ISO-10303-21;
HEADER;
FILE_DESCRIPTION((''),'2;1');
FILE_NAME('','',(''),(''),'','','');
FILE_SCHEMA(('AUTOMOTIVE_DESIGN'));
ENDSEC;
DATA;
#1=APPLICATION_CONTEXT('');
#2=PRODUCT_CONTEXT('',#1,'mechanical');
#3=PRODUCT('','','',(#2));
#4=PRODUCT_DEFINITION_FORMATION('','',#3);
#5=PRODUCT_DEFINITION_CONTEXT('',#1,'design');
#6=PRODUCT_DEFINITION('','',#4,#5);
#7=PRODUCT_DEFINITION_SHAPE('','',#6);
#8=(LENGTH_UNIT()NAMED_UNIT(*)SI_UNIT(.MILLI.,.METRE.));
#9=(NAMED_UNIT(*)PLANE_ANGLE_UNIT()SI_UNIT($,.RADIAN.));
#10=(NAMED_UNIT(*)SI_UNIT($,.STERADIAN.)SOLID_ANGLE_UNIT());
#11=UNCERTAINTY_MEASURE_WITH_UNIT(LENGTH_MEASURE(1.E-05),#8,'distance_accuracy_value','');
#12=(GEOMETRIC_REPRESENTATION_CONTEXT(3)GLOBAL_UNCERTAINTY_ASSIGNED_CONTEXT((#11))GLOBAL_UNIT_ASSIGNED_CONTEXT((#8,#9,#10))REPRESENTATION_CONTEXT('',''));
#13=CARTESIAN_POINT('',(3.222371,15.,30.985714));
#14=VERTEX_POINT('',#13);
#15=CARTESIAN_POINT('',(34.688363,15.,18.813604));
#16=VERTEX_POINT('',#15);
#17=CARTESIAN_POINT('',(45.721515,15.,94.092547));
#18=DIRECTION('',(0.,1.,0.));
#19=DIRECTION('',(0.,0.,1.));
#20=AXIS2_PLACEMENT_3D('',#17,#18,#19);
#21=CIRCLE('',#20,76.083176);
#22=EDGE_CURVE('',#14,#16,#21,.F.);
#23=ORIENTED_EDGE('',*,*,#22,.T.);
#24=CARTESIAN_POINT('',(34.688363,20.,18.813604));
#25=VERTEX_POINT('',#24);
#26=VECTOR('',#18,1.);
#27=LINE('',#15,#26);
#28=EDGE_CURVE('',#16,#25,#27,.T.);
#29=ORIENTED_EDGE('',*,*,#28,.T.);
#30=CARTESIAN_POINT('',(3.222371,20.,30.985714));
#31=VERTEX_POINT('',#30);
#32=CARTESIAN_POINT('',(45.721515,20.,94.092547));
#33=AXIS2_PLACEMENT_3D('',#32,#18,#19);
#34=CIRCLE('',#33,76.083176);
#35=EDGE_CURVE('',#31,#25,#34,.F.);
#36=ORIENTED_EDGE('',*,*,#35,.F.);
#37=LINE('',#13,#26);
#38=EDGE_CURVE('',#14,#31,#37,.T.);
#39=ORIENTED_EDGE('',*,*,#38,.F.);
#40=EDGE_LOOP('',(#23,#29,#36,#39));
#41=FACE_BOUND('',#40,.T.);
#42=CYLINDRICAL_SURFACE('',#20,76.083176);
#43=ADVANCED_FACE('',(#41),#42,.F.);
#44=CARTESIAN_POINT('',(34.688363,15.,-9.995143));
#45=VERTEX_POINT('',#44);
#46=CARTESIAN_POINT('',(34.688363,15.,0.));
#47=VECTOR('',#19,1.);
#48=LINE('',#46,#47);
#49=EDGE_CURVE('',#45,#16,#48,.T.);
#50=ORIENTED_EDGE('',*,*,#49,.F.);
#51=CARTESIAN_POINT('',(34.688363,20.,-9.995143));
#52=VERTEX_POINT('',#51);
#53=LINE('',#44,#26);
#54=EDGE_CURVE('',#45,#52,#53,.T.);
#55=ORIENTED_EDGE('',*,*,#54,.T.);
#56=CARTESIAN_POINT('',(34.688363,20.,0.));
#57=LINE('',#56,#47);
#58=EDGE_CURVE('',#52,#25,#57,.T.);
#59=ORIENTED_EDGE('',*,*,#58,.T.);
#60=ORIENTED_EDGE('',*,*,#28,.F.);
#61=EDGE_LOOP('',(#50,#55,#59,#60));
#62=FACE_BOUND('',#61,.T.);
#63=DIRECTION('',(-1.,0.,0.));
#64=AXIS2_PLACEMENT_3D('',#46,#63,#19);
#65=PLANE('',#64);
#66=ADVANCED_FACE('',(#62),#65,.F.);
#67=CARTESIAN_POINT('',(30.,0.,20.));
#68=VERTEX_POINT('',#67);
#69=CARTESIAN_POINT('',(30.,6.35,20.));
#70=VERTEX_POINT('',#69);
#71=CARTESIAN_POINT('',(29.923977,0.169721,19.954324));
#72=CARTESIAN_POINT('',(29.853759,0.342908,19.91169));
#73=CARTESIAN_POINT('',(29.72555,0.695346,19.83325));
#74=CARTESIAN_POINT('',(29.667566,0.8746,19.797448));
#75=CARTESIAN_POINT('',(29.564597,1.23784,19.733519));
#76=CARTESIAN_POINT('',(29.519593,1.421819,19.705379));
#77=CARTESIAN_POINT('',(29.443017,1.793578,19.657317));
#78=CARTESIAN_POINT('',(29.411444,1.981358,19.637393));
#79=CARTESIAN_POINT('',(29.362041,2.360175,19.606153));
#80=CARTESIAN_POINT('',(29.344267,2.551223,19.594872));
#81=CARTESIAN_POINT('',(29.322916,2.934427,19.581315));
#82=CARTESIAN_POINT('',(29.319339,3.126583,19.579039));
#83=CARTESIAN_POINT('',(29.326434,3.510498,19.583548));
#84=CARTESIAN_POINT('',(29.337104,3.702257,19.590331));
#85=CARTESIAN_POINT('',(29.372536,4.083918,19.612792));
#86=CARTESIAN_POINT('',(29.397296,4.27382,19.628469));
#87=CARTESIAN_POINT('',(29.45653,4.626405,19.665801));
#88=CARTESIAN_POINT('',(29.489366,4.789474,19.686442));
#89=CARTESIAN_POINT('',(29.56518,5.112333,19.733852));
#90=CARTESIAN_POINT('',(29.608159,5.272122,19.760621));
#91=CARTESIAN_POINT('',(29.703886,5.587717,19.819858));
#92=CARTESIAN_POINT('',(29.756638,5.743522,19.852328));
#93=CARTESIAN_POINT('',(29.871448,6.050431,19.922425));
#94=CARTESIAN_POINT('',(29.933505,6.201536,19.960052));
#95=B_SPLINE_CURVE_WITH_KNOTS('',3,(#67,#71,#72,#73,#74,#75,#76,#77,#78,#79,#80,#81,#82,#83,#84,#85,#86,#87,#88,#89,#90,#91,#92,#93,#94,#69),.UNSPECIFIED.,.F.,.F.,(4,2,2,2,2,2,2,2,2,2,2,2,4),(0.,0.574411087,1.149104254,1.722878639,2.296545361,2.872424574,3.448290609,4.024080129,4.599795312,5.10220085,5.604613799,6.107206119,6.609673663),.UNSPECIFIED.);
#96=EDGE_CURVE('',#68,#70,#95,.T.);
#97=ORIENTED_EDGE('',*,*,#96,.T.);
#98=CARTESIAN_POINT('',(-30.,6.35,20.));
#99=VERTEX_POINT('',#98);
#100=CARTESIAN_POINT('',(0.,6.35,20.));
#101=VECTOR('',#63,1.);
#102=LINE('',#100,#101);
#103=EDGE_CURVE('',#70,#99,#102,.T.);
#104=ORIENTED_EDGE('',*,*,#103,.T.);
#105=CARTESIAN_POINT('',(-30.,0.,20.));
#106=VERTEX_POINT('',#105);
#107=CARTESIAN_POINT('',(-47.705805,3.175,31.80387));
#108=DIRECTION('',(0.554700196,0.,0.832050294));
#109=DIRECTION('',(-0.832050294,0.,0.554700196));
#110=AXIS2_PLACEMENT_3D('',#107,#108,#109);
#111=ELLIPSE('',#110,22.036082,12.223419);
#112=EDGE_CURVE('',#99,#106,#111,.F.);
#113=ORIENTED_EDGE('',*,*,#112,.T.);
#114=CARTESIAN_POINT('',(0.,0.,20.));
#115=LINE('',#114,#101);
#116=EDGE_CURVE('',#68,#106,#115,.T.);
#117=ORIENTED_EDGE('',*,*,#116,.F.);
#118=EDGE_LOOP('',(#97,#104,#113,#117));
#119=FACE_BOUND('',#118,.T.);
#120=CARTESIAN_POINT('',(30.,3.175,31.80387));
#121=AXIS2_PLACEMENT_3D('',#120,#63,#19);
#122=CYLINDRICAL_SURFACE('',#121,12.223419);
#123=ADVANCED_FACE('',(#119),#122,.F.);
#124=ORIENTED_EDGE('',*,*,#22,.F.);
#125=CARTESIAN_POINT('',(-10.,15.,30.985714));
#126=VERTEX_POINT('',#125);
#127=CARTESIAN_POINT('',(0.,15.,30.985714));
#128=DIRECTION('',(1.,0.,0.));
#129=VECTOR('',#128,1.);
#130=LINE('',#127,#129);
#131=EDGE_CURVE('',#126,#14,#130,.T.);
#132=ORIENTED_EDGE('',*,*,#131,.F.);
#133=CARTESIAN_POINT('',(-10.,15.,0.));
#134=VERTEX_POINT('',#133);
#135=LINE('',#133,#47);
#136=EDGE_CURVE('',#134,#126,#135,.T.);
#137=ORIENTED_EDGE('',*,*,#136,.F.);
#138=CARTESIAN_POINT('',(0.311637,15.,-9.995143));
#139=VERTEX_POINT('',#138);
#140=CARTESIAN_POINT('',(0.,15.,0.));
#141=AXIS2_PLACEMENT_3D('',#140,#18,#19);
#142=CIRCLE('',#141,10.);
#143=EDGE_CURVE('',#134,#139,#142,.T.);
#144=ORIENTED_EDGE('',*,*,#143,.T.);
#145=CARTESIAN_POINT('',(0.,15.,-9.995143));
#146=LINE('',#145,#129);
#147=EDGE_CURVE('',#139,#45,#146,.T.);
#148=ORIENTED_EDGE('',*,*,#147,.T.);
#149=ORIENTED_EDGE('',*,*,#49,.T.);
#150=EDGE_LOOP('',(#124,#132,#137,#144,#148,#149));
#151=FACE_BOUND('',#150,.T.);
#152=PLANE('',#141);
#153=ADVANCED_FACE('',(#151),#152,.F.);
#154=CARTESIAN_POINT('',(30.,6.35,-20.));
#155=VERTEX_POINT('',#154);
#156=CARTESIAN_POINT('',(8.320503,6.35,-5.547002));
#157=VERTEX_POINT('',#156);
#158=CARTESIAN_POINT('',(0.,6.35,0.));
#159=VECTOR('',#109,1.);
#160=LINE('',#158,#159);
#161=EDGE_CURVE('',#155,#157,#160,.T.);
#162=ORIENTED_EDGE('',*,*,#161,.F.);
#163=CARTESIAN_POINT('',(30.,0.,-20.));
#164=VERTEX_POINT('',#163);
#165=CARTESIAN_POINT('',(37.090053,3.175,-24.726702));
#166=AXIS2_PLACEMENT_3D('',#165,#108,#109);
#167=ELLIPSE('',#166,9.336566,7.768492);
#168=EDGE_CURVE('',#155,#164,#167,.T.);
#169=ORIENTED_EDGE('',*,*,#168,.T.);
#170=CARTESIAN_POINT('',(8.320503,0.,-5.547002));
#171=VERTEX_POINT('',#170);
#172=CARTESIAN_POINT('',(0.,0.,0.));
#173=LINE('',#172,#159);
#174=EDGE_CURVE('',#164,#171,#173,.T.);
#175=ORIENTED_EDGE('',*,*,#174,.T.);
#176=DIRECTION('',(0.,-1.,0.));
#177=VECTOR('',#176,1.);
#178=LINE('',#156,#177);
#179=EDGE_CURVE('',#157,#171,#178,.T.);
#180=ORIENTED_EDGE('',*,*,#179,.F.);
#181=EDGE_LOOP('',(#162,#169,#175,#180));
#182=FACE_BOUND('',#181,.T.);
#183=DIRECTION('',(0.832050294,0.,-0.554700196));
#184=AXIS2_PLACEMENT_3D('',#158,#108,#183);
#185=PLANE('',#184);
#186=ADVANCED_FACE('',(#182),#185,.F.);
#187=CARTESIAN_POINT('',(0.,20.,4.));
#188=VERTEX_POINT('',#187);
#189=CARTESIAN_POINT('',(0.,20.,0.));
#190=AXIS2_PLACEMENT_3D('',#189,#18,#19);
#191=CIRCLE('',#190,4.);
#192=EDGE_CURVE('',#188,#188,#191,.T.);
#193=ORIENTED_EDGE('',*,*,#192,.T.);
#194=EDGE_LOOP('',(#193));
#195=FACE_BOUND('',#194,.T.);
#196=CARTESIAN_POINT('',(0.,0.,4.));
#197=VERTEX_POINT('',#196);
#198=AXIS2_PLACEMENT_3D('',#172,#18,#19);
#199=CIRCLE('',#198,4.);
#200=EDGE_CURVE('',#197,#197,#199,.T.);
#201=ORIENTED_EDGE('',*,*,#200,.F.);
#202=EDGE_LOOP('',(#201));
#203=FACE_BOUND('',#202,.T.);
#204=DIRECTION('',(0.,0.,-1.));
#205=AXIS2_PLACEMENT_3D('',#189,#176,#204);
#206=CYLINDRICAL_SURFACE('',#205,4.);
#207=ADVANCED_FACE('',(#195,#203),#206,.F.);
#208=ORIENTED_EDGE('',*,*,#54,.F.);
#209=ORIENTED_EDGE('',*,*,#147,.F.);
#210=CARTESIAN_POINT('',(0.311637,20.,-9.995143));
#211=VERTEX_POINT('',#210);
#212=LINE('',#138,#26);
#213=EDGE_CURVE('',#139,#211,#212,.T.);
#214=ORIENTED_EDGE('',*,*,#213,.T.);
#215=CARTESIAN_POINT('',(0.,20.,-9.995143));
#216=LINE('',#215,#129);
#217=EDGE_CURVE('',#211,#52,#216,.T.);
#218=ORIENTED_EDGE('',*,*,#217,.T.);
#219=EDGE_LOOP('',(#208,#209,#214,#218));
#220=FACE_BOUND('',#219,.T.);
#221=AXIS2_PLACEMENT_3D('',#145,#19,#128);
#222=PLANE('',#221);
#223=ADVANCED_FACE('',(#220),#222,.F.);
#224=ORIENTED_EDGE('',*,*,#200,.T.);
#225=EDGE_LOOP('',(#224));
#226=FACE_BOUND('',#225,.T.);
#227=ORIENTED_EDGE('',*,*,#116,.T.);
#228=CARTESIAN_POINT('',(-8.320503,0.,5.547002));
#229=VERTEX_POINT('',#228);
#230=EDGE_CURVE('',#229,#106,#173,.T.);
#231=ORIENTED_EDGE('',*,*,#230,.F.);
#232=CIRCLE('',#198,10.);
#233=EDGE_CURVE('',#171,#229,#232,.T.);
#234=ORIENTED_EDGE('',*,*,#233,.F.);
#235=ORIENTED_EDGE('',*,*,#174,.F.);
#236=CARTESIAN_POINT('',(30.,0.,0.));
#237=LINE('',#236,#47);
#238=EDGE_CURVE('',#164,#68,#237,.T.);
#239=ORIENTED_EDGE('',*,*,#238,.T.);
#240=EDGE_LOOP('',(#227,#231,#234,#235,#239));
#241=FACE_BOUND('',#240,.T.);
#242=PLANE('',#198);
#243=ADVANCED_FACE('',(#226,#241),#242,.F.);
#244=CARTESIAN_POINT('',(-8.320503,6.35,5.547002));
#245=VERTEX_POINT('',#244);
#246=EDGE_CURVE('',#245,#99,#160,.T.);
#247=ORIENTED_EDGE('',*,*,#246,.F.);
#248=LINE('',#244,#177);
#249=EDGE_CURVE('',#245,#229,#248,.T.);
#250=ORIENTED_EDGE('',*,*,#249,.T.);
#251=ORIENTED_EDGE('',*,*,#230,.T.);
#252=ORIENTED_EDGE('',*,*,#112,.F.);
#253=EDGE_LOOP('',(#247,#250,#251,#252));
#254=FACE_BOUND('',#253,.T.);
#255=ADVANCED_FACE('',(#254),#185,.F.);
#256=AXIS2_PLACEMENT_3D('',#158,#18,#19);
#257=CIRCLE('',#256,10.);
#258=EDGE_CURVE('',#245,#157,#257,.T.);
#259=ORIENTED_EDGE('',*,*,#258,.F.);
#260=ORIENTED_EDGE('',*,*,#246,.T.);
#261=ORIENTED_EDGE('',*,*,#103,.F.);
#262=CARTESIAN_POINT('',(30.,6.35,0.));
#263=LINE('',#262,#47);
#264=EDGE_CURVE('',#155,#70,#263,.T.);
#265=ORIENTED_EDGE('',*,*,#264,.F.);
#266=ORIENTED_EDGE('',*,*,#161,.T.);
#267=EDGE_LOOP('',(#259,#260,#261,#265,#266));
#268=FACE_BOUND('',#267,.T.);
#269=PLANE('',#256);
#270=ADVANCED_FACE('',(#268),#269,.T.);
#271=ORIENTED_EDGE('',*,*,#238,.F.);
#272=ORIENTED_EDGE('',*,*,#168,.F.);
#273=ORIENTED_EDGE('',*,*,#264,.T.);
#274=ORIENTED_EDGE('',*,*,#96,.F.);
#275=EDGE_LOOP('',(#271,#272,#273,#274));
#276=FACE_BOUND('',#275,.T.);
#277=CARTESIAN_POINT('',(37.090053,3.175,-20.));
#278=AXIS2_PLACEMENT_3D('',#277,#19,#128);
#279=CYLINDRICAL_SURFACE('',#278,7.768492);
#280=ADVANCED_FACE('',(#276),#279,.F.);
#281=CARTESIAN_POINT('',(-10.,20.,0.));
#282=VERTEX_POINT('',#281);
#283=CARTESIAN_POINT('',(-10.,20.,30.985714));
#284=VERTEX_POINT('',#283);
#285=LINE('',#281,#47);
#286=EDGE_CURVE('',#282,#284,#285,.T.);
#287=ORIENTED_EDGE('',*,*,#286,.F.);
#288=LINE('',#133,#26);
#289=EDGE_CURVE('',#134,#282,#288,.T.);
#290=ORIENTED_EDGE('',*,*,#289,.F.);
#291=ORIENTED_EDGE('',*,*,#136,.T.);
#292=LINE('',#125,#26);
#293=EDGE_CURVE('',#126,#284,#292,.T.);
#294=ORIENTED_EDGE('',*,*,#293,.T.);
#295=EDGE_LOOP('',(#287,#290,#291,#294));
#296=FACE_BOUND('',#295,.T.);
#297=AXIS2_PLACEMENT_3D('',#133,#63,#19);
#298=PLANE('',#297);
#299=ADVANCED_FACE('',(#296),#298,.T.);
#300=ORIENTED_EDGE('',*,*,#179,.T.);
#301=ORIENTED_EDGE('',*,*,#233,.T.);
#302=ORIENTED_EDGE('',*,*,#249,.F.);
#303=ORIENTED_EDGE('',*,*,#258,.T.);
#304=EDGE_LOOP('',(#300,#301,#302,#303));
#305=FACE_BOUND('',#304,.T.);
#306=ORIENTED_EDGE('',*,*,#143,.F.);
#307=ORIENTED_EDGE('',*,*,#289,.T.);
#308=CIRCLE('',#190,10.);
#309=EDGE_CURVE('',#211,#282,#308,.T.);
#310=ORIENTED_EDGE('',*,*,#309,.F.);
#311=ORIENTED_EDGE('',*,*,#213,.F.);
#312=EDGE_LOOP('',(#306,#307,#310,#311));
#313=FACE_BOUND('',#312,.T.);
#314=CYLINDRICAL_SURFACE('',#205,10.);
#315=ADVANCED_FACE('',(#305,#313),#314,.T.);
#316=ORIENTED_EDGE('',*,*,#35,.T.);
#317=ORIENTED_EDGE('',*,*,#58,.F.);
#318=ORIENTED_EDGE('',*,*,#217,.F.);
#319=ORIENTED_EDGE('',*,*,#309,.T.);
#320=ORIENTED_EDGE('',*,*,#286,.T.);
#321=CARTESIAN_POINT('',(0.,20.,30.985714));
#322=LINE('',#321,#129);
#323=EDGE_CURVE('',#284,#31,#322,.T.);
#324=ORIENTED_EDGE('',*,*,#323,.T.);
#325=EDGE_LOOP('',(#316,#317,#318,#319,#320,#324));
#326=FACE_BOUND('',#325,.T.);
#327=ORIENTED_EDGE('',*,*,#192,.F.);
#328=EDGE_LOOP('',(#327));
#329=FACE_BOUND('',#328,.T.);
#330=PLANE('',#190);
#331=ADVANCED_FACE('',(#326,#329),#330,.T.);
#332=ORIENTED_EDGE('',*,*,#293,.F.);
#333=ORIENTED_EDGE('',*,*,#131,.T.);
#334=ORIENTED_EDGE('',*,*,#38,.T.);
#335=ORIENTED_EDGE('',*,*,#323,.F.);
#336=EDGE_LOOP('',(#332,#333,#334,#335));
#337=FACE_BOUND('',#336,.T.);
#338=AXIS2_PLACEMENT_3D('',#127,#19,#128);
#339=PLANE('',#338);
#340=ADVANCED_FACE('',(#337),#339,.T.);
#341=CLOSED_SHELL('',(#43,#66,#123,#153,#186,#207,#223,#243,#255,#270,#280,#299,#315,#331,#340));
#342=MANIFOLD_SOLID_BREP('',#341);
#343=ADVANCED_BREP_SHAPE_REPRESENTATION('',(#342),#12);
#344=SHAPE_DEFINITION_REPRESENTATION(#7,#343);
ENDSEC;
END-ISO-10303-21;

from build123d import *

# Parameters (mm, degrees)
BOSS_EXTRUDE1_DEPTH     = 6.35
SKETCH1_3_R             = 10
SKETCH1_3_R_2           = 4
BOSS_EXTRUDE2_DEPTH     = 20
CUT_EXTRUDE1_DEPTH      = 42.231056256
CUT_EXTRUDE1_DEPTH_BACK = 42.231056256
SKETCH3_R               = 7.768492306
CUT_EXTRUDE3_DEPTH      = 42.231056256
CUT_EXTRUDE3_DEPTH_BACK = 42.231056256
SKETCH4_R               = 12.223418735
BOSS_EXTRUDE3_START     = -5
BOSS_EXTRUDE3_DEPTH     = 5


with BuildPart() as part:
    # Sketch1 → Boss-Extrude1 (new body)
    with BuildSketch(Plane(origin=(0, 0, 0), x_dir=(1, 0, 0), z_dir=(0, 1, 0))):
        with BuildLine():
            Line((30, -20), (30, 20))
            Line((30, 20), (8.320502943, 5.547001962))
            ThreePointArc((8.320502943, 5.547001962), (9.570920265, 2.897841487), (10, 0))
            ThreePointArc((10, 0), (2.897841487, -9.570920265), (-8.320502943, -5.547001962))
            Line((-8.320502943, -5.547001962), (-30, -20))
            Line((-30, -20), (30, -20))
        make_face()
    extrude(amount=BOSS_EXTRUDE1_DEPTH)

    # Sketch1<3> → Boss-Extrude2 (add)
    # profile 1 of 3: a face of its own
    with BuildSketch(Plane(origin=(0, 0, 0), x_dir=(1, 0, 0), z_dir=(0, 1, 0))):
        with Locations(Location((0, 0, 0), (0, 0, 33.690067526))):
            Circle(SKETCH1_3_R)
        with Locations(Location((0, 0, 0), (0, 0, 270))):
            Circle(SKETCH1_3_R_2, mode=Mode.SUBTRACT)
    # profile 2 of 3: a face of its own
    with BuildSketch(Plane(origin=(0, 0, 0), x_dir=(1, 0, 0), z_dir=(0, 1, 0))):
        with BuildLine():
            ThreePointArc((10, 0), (9.570920265, 2.897841487), (8.320502943, 5.547001962))
            Line((8.320502943, 5.547001962), (3.328201177, 2.218800785))
            ThreePointArc((3.328201177, 2.218800785), (3.828368106, 1.159136595), (4, 0))
            ThreePointArc((4, 0), (1.159136595, -3.828368106), (-3.328201177, -2.218800785))
            Line((-3.328201177, -2.218800785), (-8.320502943, -5.547001962))
            ThreePointArc((-8.320502943, -5.547001962), (2.897841487, -9.570920265), (10, 0))
        make_face()
    # profile 3 of 3: a face of its own
    with BuildSketch(Plane(origin=(0, 0, 0), x_dir=(1, 0, 0), z_dir=(0, 1, 0))):
        with BuildLine():
            Line((3.328201177, 2.218800785), (8.320502943, 5.547001962))
            ThreePointArc((8.320502943, 5.547001962), (-5.547001962, 8.320502943), (-8.320502943, -5.547001962))
            Line((-8.320502943, -5.547001962), (-3.328201177, -2.218800785))
            ThreePointArc((-3.328201177, -2.218800785), (-2.218800785, 3.328201177), (3.328201177, 2.218800785))
        make_face()
    extrude(amount=BOSS_EXTRUDE2_DEPTH)

    # Sketch3 → Cut-Extrude1 (cut, two sides: drawn at the far end of the back side and taken through both)
    with BuildSketch(Plane.XY.offset(-CUT_EXTRUDE1_DEPTH_BACK)):
        with Locations((37.090052729, 3.175)):
            Circle(SKETCH3_R)
    extrude(amount=CUT_EXTRUDE1_DEPTH + CUT_EXTRUDE1_DEPTH_BACK, mode=Mode.SUBTRACT)

    # Sketch4 → Cut-Extrude3 (cut, two sides: drawn at the far end of the back side and taken through both)
    with BuildSketch(Plane(origin=(0, 0, 0), x_dir=(0, 0, -1), z_dir=(1, 0, 0)).offset(-CUT_EXTRUDE3_DEPTH_BACK)):
        with Locations((-31.803869729, 3.175)):
            Circle(SKETCH4_R)
    extrude(amount=CUT_EXTRUDE3_DEPTH + CUT_EXTRUDE3_DEPTH_BACK, mode=Mode.SUBTRACT)

    # Sketch5 → Boss-Extrude3 (add)
    with BuildSketch(Plane(origin=(0, 20, 0), x_dir=(1, 0, 0), z_dir=(0, 1, 0)).offset(BOSS_EXTRUDE3_START)):
        with BuildLine():
            Line((34.688363183, 9.995142945), (0.311636817, 9.995142945))
            ThreePointArc((0.311636817, 9.995142945), (7.18040278, 6.960015511), (10, 0))
            ThreePointArc((10, 0), (0, -10), (-10, 0))
            Line((-10, 0), (-10, -30.985714007))
            Line((-10, -30.985714007), (3.222370876, -30.985714007))
            ThreePointArc((3.222370876, -30.985714007), (18.272166371, -23.133524369), (34.688363183, -18.813604371))
            Line((34.688363183, -18.813604371), (34.688363183, 9.995142945))
        make_face()
    extrude(amount=BOSS_EXTRUDE3_DEPTH)


solid = part.part
